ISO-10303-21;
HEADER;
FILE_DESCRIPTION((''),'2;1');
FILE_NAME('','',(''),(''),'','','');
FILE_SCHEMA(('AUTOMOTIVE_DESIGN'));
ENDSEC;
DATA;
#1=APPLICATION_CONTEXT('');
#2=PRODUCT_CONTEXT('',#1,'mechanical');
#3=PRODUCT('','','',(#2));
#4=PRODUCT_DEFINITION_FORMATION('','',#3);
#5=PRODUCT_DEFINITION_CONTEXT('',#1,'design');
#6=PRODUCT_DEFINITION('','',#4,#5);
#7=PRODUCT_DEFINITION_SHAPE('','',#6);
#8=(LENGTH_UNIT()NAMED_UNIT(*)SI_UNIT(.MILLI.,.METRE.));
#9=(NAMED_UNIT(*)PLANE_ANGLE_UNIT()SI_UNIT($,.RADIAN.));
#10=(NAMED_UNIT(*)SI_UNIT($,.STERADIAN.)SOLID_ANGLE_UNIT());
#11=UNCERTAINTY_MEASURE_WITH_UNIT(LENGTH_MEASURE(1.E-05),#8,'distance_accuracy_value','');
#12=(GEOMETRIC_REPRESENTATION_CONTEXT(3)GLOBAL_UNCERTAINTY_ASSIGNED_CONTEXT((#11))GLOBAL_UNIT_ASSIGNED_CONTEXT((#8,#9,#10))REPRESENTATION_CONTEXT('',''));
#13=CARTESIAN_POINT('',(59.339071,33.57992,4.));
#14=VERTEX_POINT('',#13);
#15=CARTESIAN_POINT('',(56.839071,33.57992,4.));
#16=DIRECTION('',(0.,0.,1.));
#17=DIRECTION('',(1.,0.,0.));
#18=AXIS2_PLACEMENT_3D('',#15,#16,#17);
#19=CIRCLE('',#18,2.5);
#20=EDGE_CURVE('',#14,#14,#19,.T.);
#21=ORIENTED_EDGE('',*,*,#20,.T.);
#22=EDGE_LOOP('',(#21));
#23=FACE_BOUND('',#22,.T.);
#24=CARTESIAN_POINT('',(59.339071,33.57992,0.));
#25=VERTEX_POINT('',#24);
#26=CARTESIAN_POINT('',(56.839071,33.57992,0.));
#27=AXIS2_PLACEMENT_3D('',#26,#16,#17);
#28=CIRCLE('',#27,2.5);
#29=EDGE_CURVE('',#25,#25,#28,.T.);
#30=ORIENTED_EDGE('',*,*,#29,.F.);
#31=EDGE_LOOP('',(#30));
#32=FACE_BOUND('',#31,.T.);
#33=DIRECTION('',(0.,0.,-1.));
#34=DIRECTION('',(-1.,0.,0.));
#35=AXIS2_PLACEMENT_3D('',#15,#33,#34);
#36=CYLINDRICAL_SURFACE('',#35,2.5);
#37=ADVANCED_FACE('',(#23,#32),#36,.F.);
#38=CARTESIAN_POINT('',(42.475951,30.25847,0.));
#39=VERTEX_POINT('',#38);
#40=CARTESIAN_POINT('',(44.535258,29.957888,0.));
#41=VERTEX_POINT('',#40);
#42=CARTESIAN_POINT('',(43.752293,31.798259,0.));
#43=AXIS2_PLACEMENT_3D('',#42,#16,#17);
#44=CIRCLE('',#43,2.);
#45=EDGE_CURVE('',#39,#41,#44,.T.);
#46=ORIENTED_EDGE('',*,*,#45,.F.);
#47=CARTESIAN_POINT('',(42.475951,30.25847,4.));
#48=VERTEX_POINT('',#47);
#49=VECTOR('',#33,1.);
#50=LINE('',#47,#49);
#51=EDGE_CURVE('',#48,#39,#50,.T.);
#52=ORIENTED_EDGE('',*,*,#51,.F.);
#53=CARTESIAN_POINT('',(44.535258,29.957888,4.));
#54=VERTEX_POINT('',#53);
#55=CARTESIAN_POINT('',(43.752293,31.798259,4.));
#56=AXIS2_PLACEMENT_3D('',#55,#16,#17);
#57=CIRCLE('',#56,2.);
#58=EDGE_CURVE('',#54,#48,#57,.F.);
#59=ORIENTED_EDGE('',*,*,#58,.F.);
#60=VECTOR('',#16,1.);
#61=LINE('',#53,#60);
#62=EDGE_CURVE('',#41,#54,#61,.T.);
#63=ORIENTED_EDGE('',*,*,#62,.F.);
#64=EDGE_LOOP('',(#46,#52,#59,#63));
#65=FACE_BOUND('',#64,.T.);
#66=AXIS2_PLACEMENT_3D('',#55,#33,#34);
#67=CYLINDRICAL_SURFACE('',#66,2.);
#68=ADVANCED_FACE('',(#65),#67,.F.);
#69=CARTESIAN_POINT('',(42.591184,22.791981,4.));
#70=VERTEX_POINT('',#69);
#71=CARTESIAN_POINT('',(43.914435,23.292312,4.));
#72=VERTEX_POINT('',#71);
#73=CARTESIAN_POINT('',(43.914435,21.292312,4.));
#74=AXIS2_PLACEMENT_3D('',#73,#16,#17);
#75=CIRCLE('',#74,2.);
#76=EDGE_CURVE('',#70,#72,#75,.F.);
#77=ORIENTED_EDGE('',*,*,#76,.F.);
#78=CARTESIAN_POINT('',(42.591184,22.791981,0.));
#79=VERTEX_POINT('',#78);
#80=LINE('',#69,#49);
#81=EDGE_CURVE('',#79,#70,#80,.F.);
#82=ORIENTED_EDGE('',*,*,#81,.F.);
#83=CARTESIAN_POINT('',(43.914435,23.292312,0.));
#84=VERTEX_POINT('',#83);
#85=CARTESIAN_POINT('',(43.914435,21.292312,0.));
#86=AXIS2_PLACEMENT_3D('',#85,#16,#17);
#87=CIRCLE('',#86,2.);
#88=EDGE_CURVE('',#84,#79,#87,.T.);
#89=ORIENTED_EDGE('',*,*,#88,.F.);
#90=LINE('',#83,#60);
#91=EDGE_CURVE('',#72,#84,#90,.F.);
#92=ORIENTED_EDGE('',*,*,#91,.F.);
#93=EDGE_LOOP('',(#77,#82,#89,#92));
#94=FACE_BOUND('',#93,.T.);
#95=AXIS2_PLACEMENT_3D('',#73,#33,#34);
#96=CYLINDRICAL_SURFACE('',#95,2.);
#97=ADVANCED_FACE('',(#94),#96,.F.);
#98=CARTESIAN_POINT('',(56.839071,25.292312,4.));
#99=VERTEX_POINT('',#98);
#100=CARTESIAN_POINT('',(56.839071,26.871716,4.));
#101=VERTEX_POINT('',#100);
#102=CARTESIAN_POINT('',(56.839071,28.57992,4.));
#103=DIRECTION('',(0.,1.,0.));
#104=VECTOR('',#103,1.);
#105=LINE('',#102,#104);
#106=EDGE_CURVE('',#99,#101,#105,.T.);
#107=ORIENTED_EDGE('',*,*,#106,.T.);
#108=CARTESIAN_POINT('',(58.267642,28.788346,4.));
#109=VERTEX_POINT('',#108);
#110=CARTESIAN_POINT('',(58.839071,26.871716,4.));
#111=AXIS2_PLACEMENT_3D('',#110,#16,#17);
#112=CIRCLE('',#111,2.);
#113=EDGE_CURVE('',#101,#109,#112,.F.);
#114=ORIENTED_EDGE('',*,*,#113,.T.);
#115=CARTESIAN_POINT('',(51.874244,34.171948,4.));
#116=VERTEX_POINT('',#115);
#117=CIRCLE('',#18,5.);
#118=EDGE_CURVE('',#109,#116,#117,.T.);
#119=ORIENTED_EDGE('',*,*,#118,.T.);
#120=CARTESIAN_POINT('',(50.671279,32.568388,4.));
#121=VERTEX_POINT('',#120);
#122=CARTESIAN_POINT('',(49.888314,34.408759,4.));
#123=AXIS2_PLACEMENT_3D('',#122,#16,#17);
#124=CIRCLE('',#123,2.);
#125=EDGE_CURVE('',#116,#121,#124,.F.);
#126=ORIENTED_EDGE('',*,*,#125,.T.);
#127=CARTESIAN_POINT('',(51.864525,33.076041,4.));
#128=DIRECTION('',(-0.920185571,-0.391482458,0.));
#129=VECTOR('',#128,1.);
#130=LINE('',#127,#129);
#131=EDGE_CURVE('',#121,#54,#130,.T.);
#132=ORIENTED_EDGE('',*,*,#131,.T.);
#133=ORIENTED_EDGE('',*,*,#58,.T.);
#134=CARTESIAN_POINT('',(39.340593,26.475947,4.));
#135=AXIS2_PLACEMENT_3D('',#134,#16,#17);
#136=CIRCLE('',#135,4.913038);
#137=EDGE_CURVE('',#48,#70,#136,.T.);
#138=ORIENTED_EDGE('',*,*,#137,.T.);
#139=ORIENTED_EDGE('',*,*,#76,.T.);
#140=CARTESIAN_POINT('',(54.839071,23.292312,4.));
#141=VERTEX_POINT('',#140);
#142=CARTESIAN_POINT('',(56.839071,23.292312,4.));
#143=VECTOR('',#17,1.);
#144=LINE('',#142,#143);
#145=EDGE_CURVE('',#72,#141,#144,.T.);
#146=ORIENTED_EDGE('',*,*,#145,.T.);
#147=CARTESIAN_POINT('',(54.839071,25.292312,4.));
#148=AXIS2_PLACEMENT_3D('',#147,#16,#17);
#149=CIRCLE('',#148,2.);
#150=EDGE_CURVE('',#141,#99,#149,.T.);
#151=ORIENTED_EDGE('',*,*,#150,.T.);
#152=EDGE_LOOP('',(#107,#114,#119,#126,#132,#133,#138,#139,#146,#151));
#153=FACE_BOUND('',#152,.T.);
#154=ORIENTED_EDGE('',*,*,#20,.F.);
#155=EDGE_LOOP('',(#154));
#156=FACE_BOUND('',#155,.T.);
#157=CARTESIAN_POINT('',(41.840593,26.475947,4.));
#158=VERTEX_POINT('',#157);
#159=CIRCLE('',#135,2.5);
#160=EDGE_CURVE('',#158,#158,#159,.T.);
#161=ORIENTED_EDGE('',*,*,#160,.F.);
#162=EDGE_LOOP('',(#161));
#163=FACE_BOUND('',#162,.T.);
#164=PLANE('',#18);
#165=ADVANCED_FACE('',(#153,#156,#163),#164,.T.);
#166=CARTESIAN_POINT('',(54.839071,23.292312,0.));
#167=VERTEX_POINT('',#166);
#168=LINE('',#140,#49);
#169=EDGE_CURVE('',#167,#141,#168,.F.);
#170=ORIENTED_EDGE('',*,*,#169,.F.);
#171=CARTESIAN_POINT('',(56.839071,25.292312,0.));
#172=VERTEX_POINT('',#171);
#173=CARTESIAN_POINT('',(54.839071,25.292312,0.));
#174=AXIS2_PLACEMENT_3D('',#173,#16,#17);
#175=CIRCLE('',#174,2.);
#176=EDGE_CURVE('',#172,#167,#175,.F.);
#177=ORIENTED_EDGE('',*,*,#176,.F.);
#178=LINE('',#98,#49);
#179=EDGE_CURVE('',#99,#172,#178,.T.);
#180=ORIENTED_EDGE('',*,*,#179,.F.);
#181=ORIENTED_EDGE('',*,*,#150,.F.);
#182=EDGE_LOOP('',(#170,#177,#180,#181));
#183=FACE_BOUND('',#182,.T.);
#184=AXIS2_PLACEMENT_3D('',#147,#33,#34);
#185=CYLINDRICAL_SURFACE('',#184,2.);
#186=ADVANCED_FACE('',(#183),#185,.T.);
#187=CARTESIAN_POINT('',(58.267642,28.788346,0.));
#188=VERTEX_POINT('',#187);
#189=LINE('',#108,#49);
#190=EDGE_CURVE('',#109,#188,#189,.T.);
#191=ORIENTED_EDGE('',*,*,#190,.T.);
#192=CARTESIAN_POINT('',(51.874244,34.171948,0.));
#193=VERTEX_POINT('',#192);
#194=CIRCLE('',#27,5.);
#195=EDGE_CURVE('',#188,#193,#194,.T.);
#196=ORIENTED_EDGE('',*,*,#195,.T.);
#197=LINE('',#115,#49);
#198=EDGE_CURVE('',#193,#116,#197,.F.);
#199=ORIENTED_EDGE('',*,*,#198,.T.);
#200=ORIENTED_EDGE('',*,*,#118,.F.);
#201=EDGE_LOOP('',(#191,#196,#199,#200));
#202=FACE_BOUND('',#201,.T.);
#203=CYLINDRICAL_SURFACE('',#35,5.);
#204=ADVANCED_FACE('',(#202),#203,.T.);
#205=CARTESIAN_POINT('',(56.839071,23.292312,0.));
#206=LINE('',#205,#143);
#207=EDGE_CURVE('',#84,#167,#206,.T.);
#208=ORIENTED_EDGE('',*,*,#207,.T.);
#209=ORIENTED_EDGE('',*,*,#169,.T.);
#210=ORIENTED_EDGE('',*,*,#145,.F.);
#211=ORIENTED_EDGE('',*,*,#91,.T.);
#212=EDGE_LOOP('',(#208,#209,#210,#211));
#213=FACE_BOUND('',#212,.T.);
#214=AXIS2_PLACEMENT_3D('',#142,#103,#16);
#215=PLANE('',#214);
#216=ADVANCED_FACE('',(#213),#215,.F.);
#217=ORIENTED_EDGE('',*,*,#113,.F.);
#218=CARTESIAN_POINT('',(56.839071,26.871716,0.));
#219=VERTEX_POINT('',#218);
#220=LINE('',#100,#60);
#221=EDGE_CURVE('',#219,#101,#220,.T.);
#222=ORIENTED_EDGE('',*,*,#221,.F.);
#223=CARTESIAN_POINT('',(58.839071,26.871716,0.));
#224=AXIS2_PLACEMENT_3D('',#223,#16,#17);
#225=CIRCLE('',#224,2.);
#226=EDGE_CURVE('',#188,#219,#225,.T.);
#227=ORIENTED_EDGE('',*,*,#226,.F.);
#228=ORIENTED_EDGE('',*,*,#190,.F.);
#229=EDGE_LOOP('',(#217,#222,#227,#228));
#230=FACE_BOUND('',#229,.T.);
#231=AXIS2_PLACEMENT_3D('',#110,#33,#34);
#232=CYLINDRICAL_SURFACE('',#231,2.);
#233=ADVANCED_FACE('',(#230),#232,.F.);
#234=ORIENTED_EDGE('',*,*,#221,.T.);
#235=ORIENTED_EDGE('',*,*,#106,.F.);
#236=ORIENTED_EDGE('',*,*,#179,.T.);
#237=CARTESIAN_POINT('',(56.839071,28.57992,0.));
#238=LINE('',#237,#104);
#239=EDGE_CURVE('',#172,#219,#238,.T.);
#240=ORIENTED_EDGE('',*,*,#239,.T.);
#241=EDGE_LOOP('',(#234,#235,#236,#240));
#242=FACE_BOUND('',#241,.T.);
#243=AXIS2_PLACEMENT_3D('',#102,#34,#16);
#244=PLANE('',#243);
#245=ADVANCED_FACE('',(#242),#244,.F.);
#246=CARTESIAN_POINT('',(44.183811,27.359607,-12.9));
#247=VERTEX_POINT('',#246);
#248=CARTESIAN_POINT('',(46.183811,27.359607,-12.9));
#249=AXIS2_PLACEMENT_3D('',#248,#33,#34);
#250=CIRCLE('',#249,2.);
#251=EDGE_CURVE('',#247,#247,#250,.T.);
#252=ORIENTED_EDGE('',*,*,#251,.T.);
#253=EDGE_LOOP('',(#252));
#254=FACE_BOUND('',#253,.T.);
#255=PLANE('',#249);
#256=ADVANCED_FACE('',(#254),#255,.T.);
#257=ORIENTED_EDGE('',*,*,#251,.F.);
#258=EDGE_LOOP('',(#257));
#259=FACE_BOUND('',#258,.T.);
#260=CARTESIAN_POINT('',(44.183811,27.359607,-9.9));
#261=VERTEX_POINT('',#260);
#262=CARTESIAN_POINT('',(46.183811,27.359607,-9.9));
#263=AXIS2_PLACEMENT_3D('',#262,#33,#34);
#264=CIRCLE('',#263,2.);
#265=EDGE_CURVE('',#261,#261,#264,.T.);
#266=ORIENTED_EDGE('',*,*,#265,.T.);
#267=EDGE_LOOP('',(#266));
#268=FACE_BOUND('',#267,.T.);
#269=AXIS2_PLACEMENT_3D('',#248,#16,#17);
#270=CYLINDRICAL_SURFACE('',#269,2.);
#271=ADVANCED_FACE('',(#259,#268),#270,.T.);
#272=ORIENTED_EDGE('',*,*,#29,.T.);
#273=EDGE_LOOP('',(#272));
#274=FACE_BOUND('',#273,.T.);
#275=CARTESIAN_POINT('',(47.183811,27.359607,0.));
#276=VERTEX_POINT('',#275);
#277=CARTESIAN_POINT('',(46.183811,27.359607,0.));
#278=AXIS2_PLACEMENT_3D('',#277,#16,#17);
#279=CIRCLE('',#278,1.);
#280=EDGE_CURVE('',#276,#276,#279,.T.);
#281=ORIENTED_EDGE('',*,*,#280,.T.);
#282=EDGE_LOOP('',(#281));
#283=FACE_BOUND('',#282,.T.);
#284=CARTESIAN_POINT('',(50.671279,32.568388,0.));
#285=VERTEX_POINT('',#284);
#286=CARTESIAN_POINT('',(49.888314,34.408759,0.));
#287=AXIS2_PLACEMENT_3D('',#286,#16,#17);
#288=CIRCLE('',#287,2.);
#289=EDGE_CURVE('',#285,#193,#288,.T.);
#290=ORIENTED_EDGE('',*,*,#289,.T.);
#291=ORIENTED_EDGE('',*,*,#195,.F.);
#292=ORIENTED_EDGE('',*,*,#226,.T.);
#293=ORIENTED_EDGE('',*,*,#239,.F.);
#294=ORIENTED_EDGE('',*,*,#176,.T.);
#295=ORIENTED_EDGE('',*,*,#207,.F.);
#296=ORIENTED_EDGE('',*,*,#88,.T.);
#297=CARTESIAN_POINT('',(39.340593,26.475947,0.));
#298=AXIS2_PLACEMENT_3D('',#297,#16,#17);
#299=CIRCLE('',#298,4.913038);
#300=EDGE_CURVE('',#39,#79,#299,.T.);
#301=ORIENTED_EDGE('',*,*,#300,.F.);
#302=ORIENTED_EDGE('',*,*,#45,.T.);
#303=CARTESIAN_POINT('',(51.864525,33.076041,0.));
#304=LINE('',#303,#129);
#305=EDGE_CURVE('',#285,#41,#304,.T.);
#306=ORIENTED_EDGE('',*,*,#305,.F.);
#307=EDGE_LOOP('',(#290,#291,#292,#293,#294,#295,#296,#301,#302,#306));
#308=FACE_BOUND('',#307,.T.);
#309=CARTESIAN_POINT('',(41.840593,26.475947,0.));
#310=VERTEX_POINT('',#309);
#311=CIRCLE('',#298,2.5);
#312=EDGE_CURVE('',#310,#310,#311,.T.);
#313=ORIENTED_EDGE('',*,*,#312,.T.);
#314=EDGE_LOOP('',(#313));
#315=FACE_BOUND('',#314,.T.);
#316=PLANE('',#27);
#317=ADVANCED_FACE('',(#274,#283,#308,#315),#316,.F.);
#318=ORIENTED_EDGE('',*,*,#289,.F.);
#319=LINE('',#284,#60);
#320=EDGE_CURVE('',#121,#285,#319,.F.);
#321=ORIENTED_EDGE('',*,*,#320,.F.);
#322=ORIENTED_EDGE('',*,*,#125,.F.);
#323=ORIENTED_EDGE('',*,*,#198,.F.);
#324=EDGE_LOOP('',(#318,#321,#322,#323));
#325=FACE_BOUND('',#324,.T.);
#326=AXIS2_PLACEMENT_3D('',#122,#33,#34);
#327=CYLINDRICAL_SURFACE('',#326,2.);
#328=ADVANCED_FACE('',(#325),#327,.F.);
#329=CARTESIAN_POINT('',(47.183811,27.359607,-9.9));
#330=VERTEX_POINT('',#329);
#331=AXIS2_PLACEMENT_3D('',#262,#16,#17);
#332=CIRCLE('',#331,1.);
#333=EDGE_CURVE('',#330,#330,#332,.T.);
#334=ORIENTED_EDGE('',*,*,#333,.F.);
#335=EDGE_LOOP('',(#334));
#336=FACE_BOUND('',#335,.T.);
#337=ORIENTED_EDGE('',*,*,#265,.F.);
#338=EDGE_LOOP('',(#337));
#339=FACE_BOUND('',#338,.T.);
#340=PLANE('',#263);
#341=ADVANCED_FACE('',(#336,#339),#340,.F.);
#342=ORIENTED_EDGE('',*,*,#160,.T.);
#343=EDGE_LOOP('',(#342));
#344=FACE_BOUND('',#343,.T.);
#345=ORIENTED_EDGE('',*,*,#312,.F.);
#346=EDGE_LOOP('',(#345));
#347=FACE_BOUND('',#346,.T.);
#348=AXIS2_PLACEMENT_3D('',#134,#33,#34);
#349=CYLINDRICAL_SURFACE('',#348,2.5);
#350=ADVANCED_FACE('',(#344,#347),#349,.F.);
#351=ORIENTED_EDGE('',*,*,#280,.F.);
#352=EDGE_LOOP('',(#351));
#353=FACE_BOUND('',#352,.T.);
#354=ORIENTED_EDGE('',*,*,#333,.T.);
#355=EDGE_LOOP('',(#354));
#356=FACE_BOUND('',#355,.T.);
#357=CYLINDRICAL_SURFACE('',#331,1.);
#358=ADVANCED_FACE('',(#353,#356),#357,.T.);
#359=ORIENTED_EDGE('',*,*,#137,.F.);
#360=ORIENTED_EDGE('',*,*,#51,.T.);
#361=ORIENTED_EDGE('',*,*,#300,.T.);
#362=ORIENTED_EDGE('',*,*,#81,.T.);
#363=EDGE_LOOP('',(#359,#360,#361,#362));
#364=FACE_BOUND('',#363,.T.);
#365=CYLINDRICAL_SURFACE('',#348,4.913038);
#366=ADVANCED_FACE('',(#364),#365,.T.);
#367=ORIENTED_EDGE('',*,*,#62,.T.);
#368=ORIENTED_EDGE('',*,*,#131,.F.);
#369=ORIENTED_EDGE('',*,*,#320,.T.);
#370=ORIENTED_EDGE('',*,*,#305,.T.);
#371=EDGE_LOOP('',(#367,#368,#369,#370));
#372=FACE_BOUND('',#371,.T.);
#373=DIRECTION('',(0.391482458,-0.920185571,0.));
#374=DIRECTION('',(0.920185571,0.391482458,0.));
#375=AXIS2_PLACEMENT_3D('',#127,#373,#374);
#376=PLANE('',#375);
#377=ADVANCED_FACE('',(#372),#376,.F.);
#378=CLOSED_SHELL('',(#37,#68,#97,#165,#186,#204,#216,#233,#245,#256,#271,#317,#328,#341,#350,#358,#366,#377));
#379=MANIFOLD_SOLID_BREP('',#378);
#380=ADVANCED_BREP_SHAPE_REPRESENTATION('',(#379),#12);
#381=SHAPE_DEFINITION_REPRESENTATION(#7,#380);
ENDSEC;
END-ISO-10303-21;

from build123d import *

# Parameters (mm, degrees)
SKETCH1_R           = 2.5
BOSS_EXTRUDE1_DEPTH = 4
FILLET1_R           = 2
BOSS_EXTRUDE2_START = -3.9
SKETCH2_R           = 1
BOSS_EXTRUDE2_DEPTH = 10
SKETCH3_R           = 2
BOSS_EXTRUDE3_DEPTH = 3


with BuildPart() as part:
    # Sketch1 → Boss-Extrude1 (new body)
    with BuildSketch(Plane.XY):
        with BuildLine():
            Line((56.839071038, 28.579919803), (56.839071038, 23.292312115))
            Line((56.839071038, 23.292312115), (43.08257304, 23.292312115))
            ThreePointArc((43.08257304, 23.292312115), (34.429928081, 26.628647856), (43.273147001, 29.420937259))
            Line((43.273147001, 29.420937259), (51.8645252, 33.076041142))
            ThreePointArc((51.8645252, 33.076041142), (60.191727201, 37.289326312), (56.839071038, 28.579919803))
        make_face()
        with Locations((39.340592987, 26.475947236)):
            Circle(SKETCH1_R, mode=Mode.SUBTRACT)
        with Locations((56.839071038, 33.579919803)):
            Circle(SKETCH1_R, mode=Mode.SUBTRACT)
    extrude(amount=BOSS_EXTRUDE1_DEPTH)

    # Fillet1
    fillet1_edges = [part.edges().sort_by_distance(p)[0] for p in [
        (56.839071038, 28.579919803, 2),
        (56.839071038, 23.292312115, 2),
        (43.08257304, 23.292312115, 2),
        (43.273147001, 29.420937259, 2),
        (51.8645252, 33.076041142, 2),
    ]]
    fillet(fillet1_edges, radius=FILLET1_R)

    # Sketch2 → Boss-Extrude2 (add)
    with BuildSketch(Plane.XY.offset(4).offset(BOSS_EXTRUDE2_START)):
        with Locations((46.18381054, 27.359606691)):
            Circle(SKETCH2_R)
    extrude(amount=-BOSS_EXTRUDE2_DEPTH)

    # Sketch3 → Boss-Extrude3 (add)
    with BuildSketch(Plane(origin=(0, 0, -9.9), x_dir=(-1, 0, 0), z_dir=(0, 0, -1))):
        with Locations((-46.18381054, 27.359606691)):
            Circle(SKETCH3_R)
    extrude(amount=BOSS_EXTRUDE3_DEPTH)


solid = part.part
